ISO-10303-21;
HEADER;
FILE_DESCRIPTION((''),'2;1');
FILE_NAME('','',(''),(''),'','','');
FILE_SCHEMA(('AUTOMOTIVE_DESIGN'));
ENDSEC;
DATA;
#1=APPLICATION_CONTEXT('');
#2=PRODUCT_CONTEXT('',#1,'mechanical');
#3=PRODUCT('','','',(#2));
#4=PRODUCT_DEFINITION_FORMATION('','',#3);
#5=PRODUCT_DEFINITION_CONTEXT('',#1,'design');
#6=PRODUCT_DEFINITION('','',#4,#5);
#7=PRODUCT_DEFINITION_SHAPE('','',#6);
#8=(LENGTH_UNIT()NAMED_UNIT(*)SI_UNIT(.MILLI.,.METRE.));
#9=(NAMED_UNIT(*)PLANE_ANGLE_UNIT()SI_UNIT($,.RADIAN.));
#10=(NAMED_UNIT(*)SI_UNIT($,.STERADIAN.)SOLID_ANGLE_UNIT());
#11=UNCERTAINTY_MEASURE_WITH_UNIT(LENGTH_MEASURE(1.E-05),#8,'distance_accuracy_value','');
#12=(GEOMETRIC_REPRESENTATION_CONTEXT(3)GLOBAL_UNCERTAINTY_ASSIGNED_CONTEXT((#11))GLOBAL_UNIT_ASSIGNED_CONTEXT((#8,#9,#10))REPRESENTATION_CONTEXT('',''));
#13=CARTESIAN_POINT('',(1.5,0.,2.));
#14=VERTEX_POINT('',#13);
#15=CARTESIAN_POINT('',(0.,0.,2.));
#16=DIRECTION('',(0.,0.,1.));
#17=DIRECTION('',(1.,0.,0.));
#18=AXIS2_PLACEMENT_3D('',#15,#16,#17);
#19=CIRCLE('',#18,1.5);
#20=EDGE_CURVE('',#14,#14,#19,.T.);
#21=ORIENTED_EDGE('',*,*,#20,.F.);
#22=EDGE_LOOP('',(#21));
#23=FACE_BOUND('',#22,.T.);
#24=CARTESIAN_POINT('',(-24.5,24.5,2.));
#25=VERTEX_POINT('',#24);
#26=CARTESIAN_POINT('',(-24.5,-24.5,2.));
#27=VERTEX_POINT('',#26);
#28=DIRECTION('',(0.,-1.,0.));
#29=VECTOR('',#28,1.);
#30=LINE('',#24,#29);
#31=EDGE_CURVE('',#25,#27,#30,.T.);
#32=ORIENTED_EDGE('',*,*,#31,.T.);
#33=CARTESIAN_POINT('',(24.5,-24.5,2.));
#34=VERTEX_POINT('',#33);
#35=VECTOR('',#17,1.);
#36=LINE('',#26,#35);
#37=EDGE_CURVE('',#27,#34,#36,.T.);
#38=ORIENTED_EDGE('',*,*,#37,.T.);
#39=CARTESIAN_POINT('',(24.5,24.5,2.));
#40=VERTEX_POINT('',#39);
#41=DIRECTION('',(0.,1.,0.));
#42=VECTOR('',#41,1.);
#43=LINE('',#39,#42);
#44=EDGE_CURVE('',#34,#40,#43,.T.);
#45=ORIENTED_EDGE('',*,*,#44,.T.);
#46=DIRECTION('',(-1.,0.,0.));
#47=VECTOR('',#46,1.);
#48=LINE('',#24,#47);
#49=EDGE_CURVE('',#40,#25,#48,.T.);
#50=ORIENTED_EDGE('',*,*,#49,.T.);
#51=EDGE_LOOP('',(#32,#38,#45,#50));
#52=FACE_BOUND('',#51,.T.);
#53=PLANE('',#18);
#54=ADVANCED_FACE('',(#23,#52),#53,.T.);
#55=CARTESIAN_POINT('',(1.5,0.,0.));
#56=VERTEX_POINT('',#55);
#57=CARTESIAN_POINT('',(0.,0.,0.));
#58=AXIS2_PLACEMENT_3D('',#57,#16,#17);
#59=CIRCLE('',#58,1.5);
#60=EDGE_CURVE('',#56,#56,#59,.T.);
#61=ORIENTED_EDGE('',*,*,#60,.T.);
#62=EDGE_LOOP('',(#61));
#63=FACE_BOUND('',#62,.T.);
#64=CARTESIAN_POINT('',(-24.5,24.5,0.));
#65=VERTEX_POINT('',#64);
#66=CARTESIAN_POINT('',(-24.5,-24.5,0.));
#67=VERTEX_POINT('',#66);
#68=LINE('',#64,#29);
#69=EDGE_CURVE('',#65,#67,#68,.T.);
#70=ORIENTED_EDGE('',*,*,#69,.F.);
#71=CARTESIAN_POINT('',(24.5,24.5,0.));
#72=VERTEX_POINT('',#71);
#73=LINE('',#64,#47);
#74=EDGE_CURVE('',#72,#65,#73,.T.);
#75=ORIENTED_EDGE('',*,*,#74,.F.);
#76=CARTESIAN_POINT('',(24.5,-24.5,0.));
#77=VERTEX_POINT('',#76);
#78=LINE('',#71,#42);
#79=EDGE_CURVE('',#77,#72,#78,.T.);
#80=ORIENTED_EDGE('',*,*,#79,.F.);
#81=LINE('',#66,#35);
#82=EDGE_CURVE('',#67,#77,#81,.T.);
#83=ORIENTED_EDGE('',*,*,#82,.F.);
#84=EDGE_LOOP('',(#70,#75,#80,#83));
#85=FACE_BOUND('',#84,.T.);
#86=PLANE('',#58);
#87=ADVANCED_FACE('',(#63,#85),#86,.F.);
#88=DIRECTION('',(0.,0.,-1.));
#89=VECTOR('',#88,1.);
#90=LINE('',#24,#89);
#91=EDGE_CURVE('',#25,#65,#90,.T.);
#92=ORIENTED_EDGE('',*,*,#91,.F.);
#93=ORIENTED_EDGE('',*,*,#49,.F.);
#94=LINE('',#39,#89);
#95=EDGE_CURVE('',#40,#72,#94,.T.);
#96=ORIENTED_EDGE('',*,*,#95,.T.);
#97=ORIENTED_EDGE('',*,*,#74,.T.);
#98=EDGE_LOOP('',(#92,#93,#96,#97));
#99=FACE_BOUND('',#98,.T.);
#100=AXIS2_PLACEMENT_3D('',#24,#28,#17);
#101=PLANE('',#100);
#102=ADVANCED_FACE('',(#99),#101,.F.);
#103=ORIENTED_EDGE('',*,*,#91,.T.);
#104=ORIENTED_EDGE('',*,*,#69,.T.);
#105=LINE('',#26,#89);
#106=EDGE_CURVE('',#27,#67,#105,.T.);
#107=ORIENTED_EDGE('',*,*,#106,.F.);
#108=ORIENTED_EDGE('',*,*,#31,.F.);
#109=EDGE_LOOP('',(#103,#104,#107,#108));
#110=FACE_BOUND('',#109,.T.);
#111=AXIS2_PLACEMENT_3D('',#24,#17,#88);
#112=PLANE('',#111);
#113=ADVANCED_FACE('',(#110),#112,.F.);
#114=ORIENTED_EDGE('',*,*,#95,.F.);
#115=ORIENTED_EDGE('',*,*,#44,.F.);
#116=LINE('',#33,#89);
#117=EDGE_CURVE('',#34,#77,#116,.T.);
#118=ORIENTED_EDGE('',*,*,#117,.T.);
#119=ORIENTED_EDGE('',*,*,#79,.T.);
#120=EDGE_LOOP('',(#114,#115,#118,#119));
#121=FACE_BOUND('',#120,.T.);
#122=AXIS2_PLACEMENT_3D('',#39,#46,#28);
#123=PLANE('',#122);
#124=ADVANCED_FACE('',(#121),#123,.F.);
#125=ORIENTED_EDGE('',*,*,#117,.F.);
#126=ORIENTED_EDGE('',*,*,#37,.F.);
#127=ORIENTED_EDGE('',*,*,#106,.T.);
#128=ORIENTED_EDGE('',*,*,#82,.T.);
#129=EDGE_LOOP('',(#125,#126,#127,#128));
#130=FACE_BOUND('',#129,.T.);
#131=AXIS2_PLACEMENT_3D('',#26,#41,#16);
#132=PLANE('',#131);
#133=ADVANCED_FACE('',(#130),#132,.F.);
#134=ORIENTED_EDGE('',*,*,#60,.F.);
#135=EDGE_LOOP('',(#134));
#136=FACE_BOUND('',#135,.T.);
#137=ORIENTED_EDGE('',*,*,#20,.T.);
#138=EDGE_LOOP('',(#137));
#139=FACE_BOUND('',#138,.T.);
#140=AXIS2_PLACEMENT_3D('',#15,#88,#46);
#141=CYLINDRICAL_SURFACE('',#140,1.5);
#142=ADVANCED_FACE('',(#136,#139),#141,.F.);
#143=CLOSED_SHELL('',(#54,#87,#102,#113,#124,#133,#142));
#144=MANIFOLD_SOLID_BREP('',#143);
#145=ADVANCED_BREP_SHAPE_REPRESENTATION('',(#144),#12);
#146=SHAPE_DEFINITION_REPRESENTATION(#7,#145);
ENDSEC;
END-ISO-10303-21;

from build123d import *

# Parameters (mm, degrees)
ESQUISSE1_W        = 49
ESQUISSE1_H        = 49
ESQUISSE1_R        = 1.5
BOSS_EXTRU_1_DEPTH = 2


with BuildPart() as part:
    # Esquisse1 → Boss.-Extru.1 (new body)
    with BuildSketch(Plane.XY):
        Rectangle(ESQUISSE1_W, ESQUISSE1_H)
        Circle(ESQUISSE1_R, mode=Mode.SUBTRACT)
    extrude(amount=BOSS_EXTRU_1_DEPTH)


solid = part.part
